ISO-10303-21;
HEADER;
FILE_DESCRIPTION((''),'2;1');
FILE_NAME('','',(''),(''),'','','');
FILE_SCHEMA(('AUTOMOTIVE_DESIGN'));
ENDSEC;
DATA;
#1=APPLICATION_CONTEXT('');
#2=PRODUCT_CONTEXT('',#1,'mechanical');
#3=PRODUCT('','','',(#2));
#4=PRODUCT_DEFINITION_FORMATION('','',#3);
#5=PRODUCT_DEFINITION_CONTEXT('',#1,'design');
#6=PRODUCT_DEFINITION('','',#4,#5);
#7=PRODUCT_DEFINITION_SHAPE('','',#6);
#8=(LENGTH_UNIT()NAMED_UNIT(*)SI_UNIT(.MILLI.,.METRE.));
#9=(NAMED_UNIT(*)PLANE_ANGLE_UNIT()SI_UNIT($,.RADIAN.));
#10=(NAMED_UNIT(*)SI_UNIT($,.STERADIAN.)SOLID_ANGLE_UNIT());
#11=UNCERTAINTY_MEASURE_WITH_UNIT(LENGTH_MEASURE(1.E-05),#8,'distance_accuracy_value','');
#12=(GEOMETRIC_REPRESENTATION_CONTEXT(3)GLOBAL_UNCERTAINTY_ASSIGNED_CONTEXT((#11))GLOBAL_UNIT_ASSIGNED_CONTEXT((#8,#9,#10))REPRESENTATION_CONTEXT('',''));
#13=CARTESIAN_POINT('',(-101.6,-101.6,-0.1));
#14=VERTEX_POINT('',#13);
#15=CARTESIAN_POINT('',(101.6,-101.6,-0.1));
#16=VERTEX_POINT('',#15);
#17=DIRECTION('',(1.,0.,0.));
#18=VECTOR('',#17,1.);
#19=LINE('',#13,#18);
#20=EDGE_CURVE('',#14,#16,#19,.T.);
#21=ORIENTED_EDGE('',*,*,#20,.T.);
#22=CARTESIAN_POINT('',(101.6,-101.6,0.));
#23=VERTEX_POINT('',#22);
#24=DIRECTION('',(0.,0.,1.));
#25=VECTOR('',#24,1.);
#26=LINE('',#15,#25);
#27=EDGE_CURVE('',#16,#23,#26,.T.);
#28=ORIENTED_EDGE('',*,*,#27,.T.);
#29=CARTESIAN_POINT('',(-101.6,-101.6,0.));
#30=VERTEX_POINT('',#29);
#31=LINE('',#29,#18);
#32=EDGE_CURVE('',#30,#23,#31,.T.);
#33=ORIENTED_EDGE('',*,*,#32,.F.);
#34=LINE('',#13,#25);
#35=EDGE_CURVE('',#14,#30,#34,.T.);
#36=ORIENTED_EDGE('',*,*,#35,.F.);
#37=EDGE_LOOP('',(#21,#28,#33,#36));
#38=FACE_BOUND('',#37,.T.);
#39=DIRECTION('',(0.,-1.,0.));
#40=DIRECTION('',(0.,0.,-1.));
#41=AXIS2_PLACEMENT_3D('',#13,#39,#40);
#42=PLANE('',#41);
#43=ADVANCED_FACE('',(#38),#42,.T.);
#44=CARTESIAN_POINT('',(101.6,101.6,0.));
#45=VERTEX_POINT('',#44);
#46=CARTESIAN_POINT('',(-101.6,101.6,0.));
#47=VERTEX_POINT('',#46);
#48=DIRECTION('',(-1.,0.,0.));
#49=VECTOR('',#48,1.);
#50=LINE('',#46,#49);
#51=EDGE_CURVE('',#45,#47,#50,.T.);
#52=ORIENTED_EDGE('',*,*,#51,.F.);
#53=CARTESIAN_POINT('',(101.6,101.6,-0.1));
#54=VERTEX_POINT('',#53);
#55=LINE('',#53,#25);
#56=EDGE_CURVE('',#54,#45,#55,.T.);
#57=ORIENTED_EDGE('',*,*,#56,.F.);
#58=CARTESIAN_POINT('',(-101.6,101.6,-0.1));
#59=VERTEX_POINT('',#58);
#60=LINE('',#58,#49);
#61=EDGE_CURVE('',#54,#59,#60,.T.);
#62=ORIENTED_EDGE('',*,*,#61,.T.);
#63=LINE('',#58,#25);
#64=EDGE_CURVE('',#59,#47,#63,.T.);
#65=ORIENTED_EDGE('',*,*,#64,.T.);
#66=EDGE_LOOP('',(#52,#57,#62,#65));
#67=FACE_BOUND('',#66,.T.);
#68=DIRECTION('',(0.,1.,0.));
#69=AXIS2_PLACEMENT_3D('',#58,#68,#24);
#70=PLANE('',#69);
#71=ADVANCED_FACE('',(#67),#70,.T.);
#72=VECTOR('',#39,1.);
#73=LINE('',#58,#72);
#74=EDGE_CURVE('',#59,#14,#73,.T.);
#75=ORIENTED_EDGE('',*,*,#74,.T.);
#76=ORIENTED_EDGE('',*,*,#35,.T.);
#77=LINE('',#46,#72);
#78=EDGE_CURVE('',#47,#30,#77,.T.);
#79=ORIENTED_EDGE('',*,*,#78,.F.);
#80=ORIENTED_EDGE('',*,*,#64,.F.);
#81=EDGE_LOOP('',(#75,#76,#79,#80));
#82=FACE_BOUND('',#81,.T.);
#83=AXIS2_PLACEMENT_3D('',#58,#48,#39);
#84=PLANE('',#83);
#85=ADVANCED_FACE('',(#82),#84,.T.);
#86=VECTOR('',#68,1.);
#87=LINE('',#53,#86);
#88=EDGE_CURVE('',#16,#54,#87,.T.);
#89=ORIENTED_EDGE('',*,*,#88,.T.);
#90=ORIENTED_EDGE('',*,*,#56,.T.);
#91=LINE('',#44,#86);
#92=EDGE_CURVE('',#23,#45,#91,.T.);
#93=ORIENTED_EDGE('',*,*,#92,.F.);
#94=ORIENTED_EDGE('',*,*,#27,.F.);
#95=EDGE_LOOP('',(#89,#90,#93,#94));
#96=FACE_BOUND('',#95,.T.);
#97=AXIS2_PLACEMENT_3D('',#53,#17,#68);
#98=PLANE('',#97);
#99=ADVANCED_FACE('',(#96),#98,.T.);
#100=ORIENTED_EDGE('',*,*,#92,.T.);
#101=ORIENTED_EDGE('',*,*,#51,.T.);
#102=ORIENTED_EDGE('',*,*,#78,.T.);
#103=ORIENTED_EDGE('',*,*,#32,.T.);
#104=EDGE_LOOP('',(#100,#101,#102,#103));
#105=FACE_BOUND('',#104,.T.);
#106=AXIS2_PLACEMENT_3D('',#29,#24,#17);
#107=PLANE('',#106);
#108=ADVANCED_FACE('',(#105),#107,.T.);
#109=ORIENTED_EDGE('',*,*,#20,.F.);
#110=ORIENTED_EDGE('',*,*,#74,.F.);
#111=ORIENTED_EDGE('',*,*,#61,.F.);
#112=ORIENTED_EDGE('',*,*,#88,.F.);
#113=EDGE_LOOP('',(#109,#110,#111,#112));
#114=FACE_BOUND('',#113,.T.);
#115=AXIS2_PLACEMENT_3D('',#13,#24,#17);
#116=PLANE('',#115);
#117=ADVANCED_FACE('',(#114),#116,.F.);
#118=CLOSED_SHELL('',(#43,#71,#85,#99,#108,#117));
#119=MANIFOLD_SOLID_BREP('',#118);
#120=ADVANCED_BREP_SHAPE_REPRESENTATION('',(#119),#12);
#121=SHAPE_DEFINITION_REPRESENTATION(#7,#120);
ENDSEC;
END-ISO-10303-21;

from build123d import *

# Parameters (mm, degrees)
SKETCH1_W           = 203.2
SKETCH1_H           = 203.2
BOSS_EXTRUDE1_DEPTH = 0.1


with BuildPart() as part:
    # Sketch1 → Boss-Extrude1 (new body)
    with BuildSketch(Plane.XY):
        Rectangle(SKETCH1_W, SKETCH1_H)
    extrude(amount=-BOSS_EXTRUDE1_DEPTH)


solid = part.part
